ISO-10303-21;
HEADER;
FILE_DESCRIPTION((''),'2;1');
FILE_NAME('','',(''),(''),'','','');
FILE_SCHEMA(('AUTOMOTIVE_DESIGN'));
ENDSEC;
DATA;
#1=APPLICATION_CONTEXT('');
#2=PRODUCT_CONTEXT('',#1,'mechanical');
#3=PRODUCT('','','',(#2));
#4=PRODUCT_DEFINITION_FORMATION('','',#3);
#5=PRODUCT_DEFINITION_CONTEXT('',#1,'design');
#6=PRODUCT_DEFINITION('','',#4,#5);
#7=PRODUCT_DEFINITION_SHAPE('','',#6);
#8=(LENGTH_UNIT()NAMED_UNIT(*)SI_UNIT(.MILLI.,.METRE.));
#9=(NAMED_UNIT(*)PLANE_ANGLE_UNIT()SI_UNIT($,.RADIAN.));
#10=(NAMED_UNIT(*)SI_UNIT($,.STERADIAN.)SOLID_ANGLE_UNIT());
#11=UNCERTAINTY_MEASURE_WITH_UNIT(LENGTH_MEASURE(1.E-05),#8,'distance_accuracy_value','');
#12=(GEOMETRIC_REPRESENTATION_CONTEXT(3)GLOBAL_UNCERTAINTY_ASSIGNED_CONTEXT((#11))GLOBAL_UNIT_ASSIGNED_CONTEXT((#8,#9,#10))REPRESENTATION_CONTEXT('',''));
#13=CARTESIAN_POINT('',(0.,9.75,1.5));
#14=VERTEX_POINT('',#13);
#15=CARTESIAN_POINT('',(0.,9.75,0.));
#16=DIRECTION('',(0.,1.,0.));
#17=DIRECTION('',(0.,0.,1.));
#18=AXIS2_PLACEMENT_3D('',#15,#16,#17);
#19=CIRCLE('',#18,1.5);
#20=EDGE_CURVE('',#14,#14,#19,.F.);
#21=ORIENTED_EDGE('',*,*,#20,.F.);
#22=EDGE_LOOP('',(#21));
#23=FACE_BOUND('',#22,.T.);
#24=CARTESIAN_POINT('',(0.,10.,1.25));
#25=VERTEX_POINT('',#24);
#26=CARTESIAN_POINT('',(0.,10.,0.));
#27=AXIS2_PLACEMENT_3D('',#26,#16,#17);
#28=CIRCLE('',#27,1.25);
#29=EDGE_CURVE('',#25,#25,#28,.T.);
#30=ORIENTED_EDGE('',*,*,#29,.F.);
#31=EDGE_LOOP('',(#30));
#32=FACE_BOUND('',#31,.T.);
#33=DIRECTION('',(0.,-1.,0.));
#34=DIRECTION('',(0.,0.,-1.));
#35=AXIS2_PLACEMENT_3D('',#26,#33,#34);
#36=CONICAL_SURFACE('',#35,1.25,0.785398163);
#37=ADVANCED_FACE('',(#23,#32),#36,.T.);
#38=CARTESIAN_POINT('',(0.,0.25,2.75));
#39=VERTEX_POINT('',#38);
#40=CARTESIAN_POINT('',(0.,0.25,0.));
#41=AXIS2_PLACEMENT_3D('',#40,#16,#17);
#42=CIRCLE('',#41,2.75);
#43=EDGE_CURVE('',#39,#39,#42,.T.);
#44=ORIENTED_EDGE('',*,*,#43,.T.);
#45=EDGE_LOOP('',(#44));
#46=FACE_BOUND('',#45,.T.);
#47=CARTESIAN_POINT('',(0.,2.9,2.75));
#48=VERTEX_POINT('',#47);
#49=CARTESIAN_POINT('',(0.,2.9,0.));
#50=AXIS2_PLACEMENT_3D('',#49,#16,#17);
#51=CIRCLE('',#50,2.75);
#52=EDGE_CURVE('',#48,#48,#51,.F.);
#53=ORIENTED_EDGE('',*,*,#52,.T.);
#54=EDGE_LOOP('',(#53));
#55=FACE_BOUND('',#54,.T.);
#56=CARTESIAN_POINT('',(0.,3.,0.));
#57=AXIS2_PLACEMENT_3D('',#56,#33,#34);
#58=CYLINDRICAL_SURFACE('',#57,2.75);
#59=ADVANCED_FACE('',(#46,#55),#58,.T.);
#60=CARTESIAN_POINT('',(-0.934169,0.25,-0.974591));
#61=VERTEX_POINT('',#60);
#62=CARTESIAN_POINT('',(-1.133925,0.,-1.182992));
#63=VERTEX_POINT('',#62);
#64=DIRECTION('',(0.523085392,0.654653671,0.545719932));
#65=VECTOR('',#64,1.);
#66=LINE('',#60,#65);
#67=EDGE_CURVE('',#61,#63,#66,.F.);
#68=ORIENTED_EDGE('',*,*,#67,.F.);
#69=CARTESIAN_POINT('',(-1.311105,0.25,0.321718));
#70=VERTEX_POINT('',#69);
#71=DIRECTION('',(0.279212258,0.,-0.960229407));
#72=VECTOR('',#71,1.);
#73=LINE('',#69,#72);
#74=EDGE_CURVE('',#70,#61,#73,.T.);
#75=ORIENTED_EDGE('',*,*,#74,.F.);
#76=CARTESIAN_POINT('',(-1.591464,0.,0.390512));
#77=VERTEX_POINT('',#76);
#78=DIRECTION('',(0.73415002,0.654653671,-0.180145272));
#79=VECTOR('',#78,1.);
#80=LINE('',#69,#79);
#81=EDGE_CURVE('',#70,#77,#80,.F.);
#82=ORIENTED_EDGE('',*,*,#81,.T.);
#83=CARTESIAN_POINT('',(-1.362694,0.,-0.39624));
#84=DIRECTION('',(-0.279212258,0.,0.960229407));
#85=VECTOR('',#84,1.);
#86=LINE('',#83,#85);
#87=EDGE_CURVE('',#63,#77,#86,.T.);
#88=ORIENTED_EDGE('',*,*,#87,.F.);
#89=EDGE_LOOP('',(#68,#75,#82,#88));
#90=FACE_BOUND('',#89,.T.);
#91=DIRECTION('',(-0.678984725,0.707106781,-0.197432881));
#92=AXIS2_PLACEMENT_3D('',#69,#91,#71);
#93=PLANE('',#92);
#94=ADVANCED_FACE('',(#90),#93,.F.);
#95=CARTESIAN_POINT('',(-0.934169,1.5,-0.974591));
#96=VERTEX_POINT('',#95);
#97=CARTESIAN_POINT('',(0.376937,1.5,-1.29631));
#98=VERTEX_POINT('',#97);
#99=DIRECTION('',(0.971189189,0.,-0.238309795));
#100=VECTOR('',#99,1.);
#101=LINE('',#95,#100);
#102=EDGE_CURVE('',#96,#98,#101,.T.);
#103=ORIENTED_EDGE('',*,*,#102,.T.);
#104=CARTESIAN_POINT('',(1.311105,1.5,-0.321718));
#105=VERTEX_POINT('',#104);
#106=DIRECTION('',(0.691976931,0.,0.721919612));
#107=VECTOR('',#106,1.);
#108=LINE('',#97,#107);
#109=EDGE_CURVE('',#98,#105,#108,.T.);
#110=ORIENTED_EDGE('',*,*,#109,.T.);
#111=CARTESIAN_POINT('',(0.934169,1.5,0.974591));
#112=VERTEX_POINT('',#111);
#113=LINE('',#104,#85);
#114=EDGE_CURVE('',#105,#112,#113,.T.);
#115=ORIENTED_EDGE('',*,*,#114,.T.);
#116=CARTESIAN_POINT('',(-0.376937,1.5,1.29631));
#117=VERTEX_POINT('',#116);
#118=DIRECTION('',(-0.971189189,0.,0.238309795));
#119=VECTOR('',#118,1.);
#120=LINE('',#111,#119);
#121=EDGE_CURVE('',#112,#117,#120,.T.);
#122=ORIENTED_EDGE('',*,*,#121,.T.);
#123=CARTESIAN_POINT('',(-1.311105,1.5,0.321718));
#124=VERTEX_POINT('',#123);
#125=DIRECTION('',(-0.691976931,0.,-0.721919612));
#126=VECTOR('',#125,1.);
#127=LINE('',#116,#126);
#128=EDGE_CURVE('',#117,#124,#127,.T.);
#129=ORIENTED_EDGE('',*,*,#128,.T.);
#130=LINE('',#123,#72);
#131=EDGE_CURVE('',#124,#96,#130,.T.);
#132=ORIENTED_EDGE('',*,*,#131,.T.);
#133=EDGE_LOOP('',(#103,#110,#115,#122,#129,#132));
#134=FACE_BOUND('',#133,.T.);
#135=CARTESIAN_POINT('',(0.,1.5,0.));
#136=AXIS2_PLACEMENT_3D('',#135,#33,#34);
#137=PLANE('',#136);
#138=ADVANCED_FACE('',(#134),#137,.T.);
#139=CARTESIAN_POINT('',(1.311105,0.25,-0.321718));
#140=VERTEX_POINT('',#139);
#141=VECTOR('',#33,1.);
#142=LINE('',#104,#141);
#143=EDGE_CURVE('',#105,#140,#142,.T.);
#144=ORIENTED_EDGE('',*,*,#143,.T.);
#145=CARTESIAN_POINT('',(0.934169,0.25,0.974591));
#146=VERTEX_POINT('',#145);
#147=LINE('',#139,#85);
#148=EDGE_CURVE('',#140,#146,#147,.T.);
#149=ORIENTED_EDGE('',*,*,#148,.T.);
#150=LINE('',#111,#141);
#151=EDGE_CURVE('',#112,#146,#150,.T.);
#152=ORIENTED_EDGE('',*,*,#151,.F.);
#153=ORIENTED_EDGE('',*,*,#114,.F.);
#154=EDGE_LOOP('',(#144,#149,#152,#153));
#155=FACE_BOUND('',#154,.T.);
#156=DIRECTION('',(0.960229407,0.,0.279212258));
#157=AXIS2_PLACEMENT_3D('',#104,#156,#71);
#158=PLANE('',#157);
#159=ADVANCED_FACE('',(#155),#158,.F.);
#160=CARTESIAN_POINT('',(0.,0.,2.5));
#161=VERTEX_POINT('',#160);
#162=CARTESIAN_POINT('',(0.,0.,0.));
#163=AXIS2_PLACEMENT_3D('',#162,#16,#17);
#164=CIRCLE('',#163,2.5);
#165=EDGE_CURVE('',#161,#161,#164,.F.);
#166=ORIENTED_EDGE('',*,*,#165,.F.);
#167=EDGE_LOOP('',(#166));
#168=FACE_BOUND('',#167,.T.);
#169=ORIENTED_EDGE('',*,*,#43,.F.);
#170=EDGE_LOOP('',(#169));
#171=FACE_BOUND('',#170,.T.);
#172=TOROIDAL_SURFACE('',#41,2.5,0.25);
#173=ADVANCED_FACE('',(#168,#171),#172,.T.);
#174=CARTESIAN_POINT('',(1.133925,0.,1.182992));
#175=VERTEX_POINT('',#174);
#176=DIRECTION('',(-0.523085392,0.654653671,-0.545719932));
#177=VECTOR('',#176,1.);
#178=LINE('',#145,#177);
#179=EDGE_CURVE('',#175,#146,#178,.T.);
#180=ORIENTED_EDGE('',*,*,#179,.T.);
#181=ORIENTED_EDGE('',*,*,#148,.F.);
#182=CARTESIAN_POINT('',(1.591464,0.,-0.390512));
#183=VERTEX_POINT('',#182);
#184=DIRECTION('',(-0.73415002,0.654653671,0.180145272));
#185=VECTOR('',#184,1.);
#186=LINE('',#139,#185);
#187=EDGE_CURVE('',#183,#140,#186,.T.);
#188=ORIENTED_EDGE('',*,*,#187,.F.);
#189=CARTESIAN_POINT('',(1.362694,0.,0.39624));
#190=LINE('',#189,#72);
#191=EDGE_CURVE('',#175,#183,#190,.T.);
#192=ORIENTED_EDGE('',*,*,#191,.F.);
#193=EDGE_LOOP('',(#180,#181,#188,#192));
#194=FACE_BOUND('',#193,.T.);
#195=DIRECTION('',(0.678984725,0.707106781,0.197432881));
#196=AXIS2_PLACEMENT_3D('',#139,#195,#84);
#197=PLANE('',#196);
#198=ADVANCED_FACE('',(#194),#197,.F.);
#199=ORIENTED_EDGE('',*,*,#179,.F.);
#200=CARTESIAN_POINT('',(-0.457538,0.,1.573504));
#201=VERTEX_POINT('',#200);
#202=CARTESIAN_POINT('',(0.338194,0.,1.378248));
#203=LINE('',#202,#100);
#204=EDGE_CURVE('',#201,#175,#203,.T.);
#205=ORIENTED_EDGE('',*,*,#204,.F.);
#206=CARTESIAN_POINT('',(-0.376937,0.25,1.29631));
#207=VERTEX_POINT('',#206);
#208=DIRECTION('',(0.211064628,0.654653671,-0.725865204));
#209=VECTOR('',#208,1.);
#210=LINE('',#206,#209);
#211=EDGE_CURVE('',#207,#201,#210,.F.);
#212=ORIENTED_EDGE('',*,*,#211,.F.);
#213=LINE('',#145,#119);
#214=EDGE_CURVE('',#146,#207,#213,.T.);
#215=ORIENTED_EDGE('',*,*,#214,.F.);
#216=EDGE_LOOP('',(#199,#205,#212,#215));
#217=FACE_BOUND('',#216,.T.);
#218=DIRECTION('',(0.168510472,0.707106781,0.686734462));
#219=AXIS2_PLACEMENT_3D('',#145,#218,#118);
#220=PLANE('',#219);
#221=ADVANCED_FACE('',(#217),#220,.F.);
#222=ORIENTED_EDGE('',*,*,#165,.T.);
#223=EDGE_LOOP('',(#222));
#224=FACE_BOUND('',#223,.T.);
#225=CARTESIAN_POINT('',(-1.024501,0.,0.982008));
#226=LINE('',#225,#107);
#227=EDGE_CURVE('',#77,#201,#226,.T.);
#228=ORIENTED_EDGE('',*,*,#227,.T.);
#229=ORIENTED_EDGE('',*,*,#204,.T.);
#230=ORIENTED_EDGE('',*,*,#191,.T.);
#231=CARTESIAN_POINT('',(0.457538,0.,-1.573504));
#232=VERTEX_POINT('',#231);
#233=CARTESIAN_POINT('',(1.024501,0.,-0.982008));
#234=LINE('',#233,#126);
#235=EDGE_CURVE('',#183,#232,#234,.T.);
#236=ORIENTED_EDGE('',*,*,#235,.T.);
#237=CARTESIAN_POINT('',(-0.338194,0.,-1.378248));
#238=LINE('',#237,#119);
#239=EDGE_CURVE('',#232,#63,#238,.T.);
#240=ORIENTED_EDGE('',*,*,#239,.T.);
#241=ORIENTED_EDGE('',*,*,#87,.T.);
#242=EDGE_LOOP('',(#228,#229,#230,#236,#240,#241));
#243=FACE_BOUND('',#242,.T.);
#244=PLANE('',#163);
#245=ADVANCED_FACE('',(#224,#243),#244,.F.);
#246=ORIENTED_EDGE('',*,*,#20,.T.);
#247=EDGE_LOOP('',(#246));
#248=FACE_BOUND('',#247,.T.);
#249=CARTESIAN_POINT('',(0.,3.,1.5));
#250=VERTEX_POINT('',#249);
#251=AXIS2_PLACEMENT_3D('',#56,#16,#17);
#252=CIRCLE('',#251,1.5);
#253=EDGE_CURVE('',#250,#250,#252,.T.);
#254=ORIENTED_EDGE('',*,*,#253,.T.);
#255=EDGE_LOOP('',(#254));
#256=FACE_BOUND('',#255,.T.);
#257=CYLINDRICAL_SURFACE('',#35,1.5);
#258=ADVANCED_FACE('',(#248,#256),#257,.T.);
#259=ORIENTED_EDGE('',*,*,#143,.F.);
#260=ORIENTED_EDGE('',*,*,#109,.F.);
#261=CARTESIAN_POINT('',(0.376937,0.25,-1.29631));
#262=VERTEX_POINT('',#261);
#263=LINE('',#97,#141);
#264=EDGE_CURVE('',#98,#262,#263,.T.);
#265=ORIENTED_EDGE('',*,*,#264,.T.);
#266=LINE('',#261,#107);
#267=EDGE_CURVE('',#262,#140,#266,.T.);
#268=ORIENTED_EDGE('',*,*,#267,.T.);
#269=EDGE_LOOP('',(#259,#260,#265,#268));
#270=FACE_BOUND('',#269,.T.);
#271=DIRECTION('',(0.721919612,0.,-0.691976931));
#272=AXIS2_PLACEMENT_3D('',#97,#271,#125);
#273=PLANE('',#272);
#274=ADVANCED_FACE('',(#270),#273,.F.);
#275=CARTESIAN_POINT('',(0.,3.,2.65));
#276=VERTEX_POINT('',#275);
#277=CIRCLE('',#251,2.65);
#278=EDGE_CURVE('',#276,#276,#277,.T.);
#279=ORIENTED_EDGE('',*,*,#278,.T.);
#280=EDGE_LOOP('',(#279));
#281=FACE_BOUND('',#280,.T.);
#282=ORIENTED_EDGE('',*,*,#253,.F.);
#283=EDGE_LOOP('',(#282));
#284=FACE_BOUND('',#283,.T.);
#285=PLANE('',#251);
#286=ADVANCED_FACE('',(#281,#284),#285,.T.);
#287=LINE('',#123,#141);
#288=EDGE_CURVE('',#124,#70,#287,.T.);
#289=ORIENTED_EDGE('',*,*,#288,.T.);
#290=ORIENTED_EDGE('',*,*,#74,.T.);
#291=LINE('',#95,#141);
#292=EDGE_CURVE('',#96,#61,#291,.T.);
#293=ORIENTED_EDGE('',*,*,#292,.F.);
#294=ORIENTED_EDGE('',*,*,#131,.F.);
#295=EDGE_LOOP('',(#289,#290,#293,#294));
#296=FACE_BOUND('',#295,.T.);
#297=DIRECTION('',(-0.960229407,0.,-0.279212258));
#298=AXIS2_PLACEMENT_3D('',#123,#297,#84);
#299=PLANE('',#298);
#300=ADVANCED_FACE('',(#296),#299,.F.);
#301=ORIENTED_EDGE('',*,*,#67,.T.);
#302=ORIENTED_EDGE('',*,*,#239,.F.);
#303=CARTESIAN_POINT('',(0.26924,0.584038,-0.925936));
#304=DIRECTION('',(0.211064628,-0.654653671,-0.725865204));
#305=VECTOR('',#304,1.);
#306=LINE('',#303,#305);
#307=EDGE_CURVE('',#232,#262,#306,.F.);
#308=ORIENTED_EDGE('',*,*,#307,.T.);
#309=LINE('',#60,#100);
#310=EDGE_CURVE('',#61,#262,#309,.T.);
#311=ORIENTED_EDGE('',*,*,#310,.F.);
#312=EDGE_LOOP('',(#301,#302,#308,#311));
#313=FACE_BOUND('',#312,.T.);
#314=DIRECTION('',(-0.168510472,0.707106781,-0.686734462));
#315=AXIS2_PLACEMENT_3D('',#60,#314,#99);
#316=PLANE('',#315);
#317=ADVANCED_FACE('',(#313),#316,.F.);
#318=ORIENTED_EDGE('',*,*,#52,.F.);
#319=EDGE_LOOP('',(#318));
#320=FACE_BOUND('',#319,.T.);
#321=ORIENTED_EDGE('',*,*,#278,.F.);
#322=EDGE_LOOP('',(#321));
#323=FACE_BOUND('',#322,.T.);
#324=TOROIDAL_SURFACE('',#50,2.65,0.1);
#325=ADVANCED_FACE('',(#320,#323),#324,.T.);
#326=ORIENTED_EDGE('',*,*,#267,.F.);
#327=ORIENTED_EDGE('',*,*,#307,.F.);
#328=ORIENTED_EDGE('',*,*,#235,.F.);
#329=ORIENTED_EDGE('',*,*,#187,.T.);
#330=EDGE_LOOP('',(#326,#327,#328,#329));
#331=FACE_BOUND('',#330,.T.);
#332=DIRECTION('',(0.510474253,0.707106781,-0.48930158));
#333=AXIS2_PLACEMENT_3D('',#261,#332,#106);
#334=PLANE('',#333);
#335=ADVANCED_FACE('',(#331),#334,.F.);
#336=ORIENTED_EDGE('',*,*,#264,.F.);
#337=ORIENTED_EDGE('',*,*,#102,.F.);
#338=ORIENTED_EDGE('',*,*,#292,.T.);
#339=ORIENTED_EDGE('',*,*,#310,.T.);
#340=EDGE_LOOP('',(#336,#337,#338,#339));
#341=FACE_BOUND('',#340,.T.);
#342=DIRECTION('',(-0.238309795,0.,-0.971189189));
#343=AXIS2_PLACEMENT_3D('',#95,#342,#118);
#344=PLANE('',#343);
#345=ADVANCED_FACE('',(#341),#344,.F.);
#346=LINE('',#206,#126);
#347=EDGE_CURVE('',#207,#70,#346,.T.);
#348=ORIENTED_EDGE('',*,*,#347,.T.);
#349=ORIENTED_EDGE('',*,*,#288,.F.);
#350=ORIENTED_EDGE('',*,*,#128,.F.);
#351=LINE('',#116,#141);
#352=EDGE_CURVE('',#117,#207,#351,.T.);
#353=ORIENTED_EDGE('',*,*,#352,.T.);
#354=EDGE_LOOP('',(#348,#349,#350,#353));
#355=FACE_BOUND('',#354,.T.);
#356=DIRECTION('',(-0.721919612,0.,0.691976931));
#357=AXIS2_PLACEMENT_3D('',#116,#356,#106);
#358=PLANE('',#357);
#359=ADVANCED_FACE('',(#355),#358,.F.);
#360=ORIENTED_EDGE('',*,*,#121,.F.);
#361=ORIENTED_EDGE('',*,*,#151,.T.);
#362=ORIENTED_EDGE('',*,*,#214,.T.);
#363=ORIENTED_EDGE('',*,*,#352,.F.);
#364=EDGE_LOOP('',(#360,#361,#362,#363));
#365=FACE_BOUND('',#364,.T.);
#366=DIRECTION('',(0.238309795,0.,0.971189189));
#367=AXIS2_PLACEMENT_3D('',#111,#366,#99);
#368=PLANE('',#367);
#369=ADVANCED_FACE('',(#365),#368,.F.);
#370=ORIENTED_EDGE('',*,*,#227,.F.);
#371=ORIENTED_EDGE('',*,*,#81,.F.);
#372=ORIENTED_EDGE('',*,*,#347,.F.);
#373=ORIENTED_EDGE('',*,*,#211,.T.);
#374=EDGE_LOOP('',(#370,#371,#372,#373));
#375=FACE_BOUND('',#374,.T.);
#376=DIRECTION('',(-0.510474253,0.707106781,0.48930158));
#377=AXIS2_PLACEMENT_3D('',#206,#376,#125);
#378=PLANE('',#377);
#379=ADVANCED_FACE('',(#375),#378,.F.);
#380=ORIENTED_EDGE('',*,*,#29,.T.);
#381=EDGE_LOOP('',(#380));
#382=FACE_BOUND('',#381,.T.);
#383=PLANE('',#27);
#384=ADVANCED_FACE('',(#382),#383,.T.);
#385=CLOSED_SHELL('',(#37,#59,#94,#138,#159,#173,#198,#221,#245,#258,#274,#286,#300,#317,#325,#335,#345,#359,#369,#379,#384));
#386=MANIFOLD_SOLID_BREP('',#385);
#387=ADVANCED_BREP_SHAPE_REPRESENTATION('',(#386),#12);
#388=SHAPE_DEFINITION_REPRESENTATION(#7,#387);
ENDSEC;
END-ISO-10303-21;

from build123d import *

# Parameters (mm, degrees)
SKETCH1_R           = 2.75
BOSS_EXTRUDE1_DEPTH = 3
SKETCH2_R           = 1.5
BOSS_EXTRUDE2_DEPTH = 7
CUT_EXTRUDE1_DEPTH  = 1.5
CHAMFER1_SIZE       = 0.25
FILLET1_R           = 0.25
CHAMFER2_SIZE       = 0.25
FILLET2_R           = 0.1


with BuildPart() as part:
    # Sketch1 → Boss-Extrude1 (new body)
    with BuildSketch(Plane(origin=(0, 0, 0), x_dir=(1, 0, 0), z_dir=(0, 1, 0))):
        with Locations(Location((0, 0, 0), (0, 0, 270))):
            Circle(SKETCH1_R)
    extrude(amount=BOSS_EXTRUDE1_DEPTH)

    # Sketch2 → Boss-Extrude2 (add)
    with BuildSketch(Plane(origin=(0, 3, 0), x_dir=(1, 0, 0), z_dir=(0, 1, 0))):
        with Locations(Location((0, 0, 0), (0, 0, 270))):
            Circle(SKETCH2_R)
    extrude(amount=BOSS_EXTRUDE2_DEPTH)

    # Sketch3 → Cut-Extrude1 (cut)
    with BuildSketch(Plane.XZ):
        Polygon((0.934168857, 0.974591477), (-0.376936549, 1.2963097), (-1.311105406, 0.321718223), (-0.934168857, -0.974591477), (0.376936549, -1.2963097), (1.311105406, -0.321718223), align=None)
    extrude(amount=-CUT_EXTRUDE1_DEPTH, mode=Mode.SUBTRACT)

    # Chamfer1
    chamfer1_edges = [part.edges().sort_by_distance(p)[0] for p in [
        (1.122637131, 0, 0.326436627),
        (0.278616154, 0, 1.135450588),
        (-0.844020977, 0, 0.809013962),
        (-1.122637131, 0, -0.326436627),
        (-0.278616154, 0, -1.135450588),
        (0.844020977, 0, -0.809013962),
    ]]
    chamfer(chamfer1_edges, length=CHAMFER1_SIZE)

    # Fillet1
    fillet1_edges = [part.edges().sort_by_distance(p)[0] for p in [
        (0, 0, -2.75),
    ]]
    fillet(fillet1_edges, radius=FILLET1_R)

    # Chamfer2
    chamfer2_edges = [part.edges().sort_by_distance(p)[0] for p in [
        (0, 10, -1.5),
    ]]
    chamfer(chamfer2_edges, length=CHAMFER2_SIZE)

    # Fillet2
    fillet2_edges = [part.edges().sort_by_distance(p)[0] for p in [
        (0, 3, -2.75),
    ]]
    fillet(fillet2_edges, radius=FILLET2_R)


solid = part.part
